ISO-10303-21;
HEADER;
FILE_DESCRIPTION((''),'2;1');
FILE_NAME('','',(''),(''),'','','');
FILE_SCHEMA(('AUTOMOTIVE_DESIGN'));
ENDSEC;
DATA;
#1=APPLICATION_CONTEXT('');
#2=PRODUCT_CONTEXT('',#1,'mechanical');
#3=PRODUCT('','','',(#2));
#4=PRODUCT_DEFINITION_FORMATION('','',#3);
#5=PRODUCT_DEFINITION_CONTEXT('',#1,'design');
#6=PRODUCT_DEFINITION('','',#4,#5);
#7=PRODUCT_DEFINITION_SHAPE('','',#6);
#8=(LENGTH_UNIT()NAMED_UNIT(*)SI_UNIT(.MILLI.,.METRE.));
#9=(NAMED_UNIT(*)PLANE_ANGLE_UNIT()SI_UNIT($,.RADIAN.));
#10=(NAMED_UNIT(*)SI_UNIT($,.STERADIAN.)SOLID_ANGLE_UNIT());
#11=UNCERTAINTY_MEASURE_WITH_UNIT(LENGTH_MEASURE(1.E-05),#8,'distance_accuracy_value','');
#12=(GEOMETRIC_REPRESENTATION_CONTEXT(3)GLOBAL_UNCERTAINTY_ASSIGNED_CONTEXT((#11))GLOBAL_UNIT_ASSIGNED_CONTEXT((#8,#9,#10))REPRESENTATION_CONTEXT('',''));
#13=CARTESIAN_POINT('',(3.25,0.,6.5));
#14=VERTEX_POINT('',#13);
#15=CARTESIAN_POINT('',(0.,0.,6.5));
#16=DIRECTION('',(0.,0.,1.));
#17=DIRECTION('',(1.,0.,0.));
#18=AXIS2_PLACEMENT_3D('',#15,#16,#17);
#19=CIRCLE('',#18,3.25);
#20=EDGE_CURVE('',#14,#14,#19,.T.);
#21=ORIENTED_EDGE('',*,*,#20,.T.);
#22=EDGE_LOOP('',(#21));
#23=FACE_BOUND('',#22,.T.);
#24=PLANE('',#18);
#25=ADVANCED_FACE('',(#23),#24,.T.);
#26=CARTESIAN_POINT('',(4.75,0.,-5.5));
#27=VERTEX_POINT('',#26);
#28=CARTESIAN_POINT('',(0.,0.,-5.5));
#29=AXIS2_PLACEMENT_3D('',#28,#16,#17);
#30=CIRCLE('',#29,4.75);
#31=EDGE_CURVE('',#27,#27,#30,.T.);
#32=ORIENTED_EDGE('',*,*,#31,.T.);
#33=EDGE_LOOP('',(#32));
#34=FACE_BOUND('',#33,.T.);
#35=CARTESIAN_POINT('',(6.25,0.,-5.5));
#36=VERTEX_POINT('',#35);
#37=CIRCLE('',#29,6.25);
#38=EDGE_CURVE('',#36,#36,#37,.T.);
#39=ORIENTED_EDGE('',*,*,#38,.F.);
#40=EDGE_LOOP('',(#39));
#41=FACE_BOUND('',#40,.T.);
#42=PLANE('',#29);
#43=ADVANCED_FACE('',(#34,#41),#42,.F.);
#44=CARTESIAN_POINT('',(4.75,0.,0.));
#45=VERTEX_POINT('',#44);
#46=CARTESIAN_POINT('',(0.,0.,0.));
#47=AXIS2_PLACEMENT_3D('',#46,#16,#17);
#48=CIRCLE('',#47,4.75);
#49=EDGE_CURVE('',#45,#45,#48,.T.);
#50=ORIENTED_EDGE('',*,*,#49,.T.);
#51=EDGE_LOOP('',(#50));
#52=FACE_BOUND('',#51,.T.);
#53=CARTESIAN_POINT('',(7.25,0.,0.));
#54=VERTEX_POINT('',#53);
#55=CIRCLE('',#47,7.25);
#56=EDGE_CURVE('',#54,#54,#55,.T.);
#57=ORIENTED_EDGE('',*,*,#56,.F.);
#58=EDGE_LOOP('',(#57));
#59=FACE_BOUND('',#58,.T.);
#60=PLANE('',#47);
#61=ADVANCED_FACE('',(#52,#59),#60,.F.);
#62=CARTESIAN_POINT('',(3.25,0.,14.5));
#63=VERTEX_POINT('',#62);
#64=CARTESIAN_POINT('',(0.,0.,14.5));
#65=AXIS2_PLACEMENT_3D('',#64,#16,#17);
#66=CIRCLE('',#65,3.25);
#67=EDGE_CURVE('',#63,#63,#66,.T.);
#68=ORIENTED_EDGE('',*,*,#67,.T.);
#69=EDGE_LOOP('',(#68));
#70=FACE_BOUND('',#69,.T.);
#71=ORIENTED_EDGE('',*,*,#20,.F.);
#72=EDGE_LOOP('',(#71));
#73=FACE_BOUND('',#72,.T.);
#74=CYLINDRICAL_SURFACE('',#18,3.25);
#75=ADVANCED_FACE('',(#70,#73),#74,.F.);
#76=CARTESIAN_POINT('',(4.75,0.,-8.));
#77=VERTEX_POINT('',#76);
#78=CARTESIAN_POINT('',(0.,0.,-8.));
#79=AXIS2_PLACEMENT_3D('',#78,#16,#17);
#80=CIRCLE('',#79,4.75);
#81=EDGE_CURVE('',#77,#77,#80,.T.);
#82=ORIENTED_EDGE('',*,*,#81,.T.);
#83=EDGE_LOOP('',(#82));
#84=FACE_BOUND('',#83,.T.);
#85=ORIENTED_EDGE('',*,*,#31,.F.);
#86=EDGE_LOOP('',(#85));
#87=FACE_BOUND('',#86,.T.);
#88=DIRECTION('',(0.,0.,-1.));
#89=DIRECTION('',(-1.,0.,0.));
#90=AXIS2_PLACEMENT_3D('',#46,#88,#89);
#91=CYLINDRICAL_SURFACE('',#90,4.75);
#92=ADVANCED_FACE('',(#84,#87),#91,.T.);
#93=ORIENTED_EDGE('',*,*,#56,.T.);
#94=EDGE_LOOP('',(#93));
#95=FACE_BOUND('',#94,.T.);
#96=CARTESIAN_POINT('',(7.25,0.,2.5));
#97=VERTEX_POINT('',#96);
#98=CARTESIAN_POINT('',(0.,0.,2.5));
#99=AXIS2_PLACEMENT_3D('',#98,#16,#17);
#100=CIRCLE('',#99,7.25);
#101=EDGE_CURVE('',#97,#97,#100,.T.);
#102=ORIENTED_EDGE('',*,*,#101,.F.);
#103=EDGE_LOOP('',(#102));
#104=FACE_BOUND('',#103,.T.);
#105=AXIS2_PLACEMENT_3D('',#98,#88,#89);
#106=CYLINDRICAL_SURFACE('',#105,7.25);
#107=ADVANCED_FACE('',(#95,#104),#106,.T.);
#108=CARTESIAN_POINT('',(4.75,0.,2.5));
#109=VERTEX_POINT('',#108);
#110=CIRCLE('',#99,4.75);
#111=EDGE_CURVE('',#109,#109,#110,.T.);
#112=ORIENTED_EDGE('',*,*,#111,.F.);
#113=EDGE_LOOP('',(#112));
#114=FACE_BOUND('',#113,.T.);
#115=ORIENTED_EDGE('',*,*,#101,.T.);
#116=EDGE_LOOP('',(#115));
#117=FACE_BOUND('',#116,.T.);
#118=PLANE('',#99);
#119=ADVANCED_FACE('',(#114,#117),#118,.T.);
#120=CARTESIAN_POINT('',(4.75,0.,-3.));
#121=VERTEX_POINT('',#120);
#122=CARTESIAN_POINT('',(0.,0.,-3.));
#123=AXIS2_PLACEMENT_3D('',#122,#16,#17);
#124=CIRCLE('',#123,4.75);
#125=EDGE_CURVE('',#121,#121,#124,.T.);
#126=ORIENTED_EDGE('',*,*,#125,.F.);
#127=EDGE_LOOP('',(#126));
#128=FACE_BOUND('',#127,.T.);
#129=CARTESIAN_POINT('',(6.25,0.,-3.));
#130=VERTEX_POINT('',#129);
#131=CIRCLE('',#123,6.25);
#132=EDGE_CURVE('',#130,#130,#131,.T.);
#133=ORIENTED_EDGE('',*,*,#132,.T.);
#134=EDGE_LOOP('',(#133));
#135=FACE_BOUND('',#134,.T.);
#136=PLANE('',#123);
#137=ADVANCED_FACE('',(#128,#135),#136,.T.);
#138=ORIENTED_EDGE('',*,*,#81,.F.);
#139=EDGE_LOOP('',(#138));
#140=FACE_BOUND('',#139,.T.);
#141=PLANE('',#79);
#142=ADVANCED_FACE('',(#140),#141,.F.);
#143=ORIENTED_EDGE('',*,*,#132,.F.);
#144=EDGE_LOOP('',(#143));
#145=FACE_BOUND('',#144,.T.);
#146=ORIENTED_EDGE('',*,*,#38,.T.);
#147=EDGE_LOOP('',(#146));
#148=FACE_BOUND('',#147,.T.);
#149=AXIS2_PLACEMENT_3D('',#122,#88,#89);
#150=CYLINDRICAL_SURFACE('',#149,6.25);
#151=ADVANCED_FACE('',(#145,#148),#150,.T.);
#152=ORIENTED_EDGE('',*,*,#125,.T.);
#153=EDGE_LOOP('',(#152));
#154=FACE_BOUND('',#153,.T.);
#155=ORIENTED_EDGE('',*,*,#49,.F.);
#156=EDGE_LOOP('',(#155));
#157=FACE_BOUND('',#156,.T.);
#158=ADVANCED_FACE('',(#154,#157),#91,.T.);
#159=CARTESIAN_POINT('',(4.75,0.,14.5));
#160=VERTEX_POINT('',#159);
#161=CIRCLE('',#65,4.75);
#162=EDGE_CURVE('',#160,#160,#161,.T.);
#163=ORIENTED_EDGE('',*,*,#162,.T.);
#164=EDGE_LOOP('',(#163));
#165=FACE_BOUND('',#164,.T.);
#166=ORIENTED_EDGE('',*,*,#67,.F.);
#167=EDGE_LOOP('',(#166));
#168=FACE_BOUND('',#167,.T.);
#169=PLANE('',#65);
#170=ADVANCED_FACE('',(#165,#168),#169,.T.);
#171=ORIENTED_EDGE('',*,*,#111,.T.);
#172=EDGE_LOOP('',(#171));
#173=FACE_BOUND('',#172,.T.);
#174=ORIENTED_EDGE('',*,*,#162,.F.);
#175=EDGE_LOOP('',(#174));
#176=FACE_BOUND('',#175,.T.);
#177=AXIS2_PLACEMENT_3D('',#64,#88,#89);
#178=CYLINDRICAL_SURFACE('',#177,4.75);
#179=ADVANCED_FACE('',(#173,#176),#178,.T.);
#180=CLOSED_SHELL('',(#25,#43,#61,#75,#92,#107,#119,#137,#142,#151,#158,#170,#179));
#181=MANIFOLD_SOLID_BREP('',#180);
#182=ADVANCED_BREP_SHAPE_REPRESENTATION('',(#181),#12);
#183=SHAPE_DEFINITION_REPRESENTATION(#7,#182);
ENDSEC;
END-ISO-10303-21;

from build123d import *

# Parameters (mm, degrees)
SKETCH1_R         = 7.25
FLANGE_DEPTH      = 2.5
BARREL_START      = 2.5
SKETCH2_R         = 4.75
BARREL_DEPTH      = 12
REAR_THREAD_START = -8
SKETCH3_R         = 4.75
REAR_THREAD_DEPTH = 8
REAR_NUT_START    = -5.5
SKETCH4_R         = 6.25
REAR_NUT_DEPTH    = 2.5
SOCKET_BORE_START = 14.5
SKETCH5_R         = 3.25
SOCKET_BORE_DEPTH = 8


with BuildPart() as part:
    # Sketch1 → Flange (new body)
    with BuildSketch(Plane.XY):
        Circle(SKETCH1_R)
    extrude(amount=FLANGE_DEPTH)

    # Sketch2 → Barrel (add)
    with BuildSketch(Plane.XY.offset(BARREL_START)):
        Circle(SKETCH2_R)
    extrude(amount=BARREL_DEPTH)

    # Sketch3 → Rear_Thread (add)
    with BuildSketch(Plane.XY.offset(REAR_THREAD_START)):
        Circle(SKETCH3_R)
    extrude(amount=REAR_THREAD_DEPTH)

    # Sketch4 → Rear_Nut (add)
    with BuildSketch(Plane.XY.offset(REAR_NUT_START)):
        Circle(SKETCH4_R)
    extrude(amount=REAR_NUT_DEPTH)

    # Sketch5 → Socket_Bore (cut)
    with BuildSketch(Plane.XY.offset(SOCKET_BORE_START)):
        Circle(SKETCH5_R)
    extrude(amount=-SOCKET_BORE_DEPTH, mode=Mode.SUBTRACT)


solid = part.part
